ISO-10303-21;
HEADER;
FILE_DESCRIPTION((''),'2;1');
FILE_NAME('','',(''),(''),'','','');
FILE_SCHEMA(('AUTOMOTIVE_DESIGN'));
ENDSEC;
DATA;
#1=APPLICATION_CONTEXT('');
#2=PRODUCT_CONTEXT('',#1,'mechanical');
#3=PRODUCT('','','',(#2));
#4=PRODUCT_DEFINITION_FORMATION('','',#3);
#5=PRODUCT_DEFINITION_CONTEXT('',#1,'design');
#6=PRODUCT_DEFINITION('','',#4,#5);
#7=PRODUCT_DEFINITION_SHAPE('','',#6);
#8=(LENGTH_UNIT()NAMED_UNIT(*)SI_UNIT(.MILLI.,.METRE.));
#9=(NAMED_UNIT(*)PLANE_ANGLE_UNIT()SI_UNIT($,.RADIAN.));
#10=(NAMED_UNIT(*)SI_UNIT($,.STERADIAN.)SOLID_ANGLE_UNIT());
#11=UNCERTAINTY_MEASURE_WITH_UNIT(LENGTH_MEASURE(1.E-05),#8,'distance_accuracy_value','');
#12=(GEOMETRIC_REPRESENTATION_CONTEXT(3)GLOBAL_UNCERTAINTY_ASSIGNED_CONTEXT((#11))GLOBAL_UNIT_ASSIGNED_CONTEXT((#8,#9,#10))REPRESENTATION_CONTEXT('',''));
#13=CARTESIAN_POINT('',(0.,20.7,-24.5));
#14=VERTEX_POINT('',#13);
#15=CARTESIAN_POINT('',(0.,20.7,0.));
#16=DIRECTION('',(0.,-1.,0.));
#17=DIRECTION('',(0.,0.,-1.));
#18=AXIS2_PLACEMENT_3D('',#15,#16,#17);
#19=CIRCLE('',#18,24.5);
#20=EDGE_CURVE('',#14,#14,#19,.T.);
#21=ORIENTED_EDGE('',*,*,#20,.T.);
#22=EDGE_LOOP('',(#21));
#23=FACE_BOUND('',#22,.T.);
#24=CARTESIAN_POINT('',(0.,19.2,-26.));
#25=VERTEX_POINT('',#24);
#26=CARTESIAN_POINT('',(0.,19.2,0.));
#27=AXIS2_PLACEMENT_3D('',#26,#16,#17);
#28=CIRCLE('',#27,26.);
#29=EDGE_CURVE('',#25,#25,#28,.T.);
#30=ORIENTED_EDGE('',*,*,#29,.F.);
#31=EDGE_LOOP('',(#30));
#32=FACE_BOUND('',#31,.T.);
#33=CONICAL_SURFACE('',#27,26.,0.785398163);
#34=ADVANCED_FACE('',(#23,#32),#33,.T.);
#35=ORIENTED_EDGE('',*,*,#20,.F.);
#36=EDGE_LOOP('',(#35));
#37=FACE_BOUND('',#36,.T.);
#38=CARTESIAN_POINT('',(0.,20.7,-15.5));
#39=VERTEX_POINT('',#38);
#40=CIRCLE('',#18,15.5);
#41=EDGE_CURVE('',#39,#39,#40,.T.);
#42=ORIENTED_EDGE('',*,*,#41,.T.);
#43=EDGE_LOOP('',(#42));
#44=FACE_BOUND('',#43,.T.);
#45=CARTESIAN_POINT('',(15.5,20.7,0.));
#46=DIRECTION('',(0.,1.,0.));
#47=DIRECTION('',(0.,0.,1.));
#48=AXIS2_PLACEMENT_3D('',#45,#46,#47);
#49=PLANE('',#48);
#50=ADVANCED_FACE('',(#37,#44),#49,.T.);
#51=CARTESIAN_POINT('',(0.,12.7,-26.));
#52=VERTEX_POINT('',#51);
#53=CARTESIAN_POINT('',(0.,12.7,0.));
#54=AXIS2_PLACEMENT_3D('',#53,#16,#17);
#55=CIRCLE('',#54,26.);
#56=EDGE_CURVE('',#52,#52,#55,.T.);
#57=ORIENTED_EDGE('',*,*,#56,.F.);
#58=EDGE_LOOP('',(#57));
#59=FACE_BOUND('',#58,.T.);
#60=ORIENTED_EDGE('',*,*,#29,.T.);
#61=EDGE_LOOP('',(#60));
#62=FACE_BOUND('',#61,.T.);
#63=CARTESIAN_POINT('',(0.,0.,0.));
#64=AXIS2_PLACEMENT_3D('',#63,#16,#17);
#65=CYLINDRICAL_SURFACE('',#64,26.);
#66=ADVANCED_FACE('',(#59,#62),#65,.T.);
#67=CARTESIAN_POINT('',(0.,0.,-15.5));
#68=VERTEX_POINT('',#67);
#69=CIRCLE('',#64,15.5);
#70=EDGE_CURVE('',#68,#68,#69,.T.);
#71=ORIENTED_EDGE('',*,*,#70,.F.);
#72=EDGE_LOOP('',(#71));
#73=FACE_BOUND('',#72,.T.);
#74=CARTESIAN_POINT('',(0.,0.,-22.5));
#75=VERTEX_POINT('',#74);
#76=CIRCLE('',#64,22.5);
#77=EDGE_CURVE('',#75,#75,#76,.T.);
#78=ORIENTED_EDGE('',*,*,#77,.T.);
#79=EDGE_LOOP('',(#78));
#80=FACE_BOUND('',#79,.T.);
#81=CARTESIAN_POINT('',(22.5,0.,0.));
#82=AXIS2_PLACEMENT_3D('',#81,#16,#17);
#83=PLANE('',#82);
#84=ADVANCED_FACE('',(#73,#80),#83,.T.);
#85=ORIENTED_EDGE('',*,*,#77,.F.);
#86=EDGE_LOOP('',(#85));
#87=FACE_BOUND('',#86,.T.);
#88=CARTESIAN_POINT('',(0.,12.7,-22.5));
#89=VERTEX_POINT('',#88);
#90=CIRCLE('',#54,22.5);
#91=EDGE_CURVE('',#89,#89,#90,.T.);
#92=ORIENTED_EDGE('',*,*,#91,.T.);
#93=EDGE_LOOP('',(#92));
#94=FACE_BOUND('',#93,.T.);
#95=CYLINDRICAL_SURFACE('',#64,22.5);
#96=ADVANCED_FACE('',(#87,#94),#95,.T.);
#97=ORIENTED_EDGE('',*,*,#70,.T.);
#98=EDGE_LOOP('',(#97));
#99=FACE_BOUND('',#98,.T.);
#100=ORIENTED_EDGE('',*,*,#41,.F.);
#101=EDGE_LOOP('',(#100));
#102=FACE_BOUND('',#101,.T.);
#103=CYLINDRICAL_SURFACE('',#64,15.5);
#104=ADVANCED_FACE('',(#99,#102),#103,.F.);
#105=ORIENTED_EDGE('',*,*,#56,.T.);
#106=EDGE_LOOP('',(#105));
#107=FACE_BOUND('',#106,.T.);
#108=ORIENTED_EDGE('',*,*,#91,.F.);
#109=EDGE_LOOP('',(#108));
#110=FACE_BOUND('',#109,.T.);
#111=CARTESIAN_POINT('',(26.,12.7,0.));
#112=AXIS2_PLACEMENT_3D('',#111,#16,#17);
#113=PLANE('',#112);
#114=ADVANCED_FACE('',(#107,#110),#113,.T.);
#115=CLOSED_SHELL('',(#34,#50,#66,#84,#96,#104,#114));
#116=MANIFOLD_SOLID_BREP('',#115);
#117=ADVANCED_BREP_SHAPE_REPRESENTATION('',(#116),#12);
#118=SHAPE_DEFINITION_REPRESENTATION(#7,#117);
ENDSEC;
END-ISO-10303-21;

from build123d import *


with BuildPart() as part:
    # Esboço1 → Revolução1 (revolve)
    with BuildSketch(Plane.XY, mode=Mode.PRIVATE) as revolu_o1_sk:
        Polygon((15.5, 0), (15.5, 20.7), (24.5, 20.7), (26, 19.2), (26, 12.7), (22.5, 12.7), (22.5, 0), align=None)
    revolve(revolu_o1_sk.sketch.rotate(Axis((0, 0, 0), (0, 1, 0)), 90), axis=Axis((0, 0, 0), (0, 1, 0)))


solid = part.part
